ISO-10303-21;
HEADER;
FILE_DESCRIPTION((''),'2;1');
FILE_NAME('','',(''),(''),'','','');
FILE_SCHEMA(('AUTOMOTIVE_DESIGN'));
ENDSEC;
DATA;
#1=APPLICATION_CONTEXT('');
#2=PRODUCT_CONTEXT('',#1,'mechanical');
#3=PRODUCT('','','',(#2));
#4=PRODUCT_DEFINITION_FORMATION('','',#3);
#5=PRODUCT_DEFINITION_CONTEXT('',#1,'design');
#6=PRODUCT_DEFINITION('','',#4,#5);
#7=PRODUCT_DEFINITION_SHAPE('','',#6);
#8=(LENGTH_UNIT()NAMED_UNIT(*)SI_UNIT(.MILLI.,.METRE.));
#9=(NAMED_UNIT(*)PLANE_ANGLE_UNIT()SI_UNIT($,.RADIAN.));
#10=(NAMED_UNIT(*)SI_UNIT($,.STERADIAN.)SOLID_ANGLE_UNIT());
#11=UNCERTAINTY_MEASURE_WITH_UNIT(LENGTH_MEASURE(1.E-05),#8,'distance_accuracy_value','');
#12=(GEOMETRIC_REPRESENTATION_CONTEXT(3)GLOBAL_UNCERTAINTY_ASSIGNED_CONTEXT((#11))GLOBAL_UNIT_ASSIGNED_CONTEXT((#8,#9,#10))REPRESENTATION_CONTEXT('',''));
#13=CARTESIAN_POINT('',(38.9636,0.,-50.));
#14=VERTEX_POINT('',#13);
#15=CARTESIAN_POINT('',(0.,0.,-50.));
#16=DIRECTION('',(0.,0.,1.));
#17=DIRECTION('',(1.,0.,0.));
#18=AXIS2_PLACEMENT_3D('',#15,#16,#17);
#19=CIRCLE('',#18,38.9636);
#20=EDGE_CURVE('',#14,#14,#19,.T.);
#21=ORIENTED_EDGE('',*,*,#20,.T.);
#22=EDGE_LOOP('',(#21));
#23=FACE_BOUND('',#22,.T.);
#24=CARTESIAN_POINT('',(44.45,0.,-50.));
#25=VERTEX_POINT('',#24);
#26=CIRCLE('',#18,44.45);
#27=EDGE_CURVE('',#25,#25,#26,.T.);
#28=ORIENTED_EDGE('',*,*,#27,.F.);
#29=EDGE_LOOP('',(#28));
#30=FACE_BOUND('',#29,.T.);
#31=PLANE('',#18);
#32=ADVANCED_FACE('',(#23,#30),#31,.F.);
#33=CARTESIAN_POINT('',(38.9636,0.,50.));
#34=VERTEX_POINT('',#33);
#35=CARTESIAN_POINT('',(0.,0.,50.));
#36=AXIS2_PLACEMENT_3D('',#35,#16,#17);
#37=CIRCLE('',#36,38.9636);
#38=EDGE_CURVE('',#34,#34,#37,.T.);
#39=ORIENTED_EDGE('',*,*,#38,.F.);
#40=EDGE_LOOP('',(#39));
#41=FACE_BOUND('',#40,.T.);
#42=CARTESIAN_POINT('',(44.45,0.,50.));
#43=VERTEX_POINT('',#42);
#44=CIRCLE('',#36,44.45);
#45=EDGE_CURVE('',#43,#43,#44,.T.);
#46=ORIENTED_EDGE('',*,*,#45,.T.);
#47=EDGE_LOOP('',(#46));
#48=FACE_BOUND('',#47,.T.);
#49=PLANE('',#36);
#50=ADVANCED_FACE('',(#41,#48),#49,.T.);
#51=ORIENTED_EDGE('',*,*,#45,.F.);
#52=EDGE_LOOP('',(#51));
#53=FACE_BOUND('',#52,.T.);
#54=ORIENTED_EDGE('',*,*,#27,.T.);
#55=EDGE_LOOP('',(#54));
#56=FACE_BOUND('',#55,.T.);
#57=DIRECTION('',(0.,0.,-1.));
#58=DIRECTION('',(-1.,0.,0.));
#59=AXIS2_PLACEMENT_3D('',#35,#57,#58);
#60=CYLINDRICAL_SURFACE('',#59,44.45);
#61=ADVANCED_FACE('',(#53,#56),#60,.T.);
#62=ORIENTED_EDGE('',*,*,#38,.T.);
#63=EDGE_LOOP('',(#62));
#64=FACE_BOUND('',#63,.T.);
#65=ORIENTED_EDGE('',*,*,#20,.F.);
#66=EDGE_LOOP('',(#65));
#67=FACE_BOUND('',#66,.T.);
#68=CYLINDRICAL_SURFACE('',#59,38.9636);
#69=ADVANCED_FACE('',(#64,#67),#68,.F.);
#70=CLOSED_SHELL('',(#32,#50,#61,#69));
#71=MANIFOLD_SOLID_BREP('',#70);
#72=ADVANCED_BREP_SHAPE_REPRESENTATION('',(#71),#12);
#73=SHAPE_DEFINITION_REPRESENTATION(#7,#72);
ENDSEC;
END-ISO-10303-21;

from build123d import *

# Parameters (mm, degrees)
SKETCH1_R           = 44.45
SKETCH1_R_2         = 38.9636
EXTRUDE_THIN1_DEPTH = 50


with BuildPart() as part:
    # Sketch1 → Extrude-Thin1 (new, symmetric)
    with BuildSketch(Plane.XY):
        Circle(SKETCH1_R)
        Circle(SKETCH1_R_2, mode=Mode.SUBTRACT)
    extrude(amount=EXTRUDE_THIN1_DEPTH, both=True)


solid = part.part
